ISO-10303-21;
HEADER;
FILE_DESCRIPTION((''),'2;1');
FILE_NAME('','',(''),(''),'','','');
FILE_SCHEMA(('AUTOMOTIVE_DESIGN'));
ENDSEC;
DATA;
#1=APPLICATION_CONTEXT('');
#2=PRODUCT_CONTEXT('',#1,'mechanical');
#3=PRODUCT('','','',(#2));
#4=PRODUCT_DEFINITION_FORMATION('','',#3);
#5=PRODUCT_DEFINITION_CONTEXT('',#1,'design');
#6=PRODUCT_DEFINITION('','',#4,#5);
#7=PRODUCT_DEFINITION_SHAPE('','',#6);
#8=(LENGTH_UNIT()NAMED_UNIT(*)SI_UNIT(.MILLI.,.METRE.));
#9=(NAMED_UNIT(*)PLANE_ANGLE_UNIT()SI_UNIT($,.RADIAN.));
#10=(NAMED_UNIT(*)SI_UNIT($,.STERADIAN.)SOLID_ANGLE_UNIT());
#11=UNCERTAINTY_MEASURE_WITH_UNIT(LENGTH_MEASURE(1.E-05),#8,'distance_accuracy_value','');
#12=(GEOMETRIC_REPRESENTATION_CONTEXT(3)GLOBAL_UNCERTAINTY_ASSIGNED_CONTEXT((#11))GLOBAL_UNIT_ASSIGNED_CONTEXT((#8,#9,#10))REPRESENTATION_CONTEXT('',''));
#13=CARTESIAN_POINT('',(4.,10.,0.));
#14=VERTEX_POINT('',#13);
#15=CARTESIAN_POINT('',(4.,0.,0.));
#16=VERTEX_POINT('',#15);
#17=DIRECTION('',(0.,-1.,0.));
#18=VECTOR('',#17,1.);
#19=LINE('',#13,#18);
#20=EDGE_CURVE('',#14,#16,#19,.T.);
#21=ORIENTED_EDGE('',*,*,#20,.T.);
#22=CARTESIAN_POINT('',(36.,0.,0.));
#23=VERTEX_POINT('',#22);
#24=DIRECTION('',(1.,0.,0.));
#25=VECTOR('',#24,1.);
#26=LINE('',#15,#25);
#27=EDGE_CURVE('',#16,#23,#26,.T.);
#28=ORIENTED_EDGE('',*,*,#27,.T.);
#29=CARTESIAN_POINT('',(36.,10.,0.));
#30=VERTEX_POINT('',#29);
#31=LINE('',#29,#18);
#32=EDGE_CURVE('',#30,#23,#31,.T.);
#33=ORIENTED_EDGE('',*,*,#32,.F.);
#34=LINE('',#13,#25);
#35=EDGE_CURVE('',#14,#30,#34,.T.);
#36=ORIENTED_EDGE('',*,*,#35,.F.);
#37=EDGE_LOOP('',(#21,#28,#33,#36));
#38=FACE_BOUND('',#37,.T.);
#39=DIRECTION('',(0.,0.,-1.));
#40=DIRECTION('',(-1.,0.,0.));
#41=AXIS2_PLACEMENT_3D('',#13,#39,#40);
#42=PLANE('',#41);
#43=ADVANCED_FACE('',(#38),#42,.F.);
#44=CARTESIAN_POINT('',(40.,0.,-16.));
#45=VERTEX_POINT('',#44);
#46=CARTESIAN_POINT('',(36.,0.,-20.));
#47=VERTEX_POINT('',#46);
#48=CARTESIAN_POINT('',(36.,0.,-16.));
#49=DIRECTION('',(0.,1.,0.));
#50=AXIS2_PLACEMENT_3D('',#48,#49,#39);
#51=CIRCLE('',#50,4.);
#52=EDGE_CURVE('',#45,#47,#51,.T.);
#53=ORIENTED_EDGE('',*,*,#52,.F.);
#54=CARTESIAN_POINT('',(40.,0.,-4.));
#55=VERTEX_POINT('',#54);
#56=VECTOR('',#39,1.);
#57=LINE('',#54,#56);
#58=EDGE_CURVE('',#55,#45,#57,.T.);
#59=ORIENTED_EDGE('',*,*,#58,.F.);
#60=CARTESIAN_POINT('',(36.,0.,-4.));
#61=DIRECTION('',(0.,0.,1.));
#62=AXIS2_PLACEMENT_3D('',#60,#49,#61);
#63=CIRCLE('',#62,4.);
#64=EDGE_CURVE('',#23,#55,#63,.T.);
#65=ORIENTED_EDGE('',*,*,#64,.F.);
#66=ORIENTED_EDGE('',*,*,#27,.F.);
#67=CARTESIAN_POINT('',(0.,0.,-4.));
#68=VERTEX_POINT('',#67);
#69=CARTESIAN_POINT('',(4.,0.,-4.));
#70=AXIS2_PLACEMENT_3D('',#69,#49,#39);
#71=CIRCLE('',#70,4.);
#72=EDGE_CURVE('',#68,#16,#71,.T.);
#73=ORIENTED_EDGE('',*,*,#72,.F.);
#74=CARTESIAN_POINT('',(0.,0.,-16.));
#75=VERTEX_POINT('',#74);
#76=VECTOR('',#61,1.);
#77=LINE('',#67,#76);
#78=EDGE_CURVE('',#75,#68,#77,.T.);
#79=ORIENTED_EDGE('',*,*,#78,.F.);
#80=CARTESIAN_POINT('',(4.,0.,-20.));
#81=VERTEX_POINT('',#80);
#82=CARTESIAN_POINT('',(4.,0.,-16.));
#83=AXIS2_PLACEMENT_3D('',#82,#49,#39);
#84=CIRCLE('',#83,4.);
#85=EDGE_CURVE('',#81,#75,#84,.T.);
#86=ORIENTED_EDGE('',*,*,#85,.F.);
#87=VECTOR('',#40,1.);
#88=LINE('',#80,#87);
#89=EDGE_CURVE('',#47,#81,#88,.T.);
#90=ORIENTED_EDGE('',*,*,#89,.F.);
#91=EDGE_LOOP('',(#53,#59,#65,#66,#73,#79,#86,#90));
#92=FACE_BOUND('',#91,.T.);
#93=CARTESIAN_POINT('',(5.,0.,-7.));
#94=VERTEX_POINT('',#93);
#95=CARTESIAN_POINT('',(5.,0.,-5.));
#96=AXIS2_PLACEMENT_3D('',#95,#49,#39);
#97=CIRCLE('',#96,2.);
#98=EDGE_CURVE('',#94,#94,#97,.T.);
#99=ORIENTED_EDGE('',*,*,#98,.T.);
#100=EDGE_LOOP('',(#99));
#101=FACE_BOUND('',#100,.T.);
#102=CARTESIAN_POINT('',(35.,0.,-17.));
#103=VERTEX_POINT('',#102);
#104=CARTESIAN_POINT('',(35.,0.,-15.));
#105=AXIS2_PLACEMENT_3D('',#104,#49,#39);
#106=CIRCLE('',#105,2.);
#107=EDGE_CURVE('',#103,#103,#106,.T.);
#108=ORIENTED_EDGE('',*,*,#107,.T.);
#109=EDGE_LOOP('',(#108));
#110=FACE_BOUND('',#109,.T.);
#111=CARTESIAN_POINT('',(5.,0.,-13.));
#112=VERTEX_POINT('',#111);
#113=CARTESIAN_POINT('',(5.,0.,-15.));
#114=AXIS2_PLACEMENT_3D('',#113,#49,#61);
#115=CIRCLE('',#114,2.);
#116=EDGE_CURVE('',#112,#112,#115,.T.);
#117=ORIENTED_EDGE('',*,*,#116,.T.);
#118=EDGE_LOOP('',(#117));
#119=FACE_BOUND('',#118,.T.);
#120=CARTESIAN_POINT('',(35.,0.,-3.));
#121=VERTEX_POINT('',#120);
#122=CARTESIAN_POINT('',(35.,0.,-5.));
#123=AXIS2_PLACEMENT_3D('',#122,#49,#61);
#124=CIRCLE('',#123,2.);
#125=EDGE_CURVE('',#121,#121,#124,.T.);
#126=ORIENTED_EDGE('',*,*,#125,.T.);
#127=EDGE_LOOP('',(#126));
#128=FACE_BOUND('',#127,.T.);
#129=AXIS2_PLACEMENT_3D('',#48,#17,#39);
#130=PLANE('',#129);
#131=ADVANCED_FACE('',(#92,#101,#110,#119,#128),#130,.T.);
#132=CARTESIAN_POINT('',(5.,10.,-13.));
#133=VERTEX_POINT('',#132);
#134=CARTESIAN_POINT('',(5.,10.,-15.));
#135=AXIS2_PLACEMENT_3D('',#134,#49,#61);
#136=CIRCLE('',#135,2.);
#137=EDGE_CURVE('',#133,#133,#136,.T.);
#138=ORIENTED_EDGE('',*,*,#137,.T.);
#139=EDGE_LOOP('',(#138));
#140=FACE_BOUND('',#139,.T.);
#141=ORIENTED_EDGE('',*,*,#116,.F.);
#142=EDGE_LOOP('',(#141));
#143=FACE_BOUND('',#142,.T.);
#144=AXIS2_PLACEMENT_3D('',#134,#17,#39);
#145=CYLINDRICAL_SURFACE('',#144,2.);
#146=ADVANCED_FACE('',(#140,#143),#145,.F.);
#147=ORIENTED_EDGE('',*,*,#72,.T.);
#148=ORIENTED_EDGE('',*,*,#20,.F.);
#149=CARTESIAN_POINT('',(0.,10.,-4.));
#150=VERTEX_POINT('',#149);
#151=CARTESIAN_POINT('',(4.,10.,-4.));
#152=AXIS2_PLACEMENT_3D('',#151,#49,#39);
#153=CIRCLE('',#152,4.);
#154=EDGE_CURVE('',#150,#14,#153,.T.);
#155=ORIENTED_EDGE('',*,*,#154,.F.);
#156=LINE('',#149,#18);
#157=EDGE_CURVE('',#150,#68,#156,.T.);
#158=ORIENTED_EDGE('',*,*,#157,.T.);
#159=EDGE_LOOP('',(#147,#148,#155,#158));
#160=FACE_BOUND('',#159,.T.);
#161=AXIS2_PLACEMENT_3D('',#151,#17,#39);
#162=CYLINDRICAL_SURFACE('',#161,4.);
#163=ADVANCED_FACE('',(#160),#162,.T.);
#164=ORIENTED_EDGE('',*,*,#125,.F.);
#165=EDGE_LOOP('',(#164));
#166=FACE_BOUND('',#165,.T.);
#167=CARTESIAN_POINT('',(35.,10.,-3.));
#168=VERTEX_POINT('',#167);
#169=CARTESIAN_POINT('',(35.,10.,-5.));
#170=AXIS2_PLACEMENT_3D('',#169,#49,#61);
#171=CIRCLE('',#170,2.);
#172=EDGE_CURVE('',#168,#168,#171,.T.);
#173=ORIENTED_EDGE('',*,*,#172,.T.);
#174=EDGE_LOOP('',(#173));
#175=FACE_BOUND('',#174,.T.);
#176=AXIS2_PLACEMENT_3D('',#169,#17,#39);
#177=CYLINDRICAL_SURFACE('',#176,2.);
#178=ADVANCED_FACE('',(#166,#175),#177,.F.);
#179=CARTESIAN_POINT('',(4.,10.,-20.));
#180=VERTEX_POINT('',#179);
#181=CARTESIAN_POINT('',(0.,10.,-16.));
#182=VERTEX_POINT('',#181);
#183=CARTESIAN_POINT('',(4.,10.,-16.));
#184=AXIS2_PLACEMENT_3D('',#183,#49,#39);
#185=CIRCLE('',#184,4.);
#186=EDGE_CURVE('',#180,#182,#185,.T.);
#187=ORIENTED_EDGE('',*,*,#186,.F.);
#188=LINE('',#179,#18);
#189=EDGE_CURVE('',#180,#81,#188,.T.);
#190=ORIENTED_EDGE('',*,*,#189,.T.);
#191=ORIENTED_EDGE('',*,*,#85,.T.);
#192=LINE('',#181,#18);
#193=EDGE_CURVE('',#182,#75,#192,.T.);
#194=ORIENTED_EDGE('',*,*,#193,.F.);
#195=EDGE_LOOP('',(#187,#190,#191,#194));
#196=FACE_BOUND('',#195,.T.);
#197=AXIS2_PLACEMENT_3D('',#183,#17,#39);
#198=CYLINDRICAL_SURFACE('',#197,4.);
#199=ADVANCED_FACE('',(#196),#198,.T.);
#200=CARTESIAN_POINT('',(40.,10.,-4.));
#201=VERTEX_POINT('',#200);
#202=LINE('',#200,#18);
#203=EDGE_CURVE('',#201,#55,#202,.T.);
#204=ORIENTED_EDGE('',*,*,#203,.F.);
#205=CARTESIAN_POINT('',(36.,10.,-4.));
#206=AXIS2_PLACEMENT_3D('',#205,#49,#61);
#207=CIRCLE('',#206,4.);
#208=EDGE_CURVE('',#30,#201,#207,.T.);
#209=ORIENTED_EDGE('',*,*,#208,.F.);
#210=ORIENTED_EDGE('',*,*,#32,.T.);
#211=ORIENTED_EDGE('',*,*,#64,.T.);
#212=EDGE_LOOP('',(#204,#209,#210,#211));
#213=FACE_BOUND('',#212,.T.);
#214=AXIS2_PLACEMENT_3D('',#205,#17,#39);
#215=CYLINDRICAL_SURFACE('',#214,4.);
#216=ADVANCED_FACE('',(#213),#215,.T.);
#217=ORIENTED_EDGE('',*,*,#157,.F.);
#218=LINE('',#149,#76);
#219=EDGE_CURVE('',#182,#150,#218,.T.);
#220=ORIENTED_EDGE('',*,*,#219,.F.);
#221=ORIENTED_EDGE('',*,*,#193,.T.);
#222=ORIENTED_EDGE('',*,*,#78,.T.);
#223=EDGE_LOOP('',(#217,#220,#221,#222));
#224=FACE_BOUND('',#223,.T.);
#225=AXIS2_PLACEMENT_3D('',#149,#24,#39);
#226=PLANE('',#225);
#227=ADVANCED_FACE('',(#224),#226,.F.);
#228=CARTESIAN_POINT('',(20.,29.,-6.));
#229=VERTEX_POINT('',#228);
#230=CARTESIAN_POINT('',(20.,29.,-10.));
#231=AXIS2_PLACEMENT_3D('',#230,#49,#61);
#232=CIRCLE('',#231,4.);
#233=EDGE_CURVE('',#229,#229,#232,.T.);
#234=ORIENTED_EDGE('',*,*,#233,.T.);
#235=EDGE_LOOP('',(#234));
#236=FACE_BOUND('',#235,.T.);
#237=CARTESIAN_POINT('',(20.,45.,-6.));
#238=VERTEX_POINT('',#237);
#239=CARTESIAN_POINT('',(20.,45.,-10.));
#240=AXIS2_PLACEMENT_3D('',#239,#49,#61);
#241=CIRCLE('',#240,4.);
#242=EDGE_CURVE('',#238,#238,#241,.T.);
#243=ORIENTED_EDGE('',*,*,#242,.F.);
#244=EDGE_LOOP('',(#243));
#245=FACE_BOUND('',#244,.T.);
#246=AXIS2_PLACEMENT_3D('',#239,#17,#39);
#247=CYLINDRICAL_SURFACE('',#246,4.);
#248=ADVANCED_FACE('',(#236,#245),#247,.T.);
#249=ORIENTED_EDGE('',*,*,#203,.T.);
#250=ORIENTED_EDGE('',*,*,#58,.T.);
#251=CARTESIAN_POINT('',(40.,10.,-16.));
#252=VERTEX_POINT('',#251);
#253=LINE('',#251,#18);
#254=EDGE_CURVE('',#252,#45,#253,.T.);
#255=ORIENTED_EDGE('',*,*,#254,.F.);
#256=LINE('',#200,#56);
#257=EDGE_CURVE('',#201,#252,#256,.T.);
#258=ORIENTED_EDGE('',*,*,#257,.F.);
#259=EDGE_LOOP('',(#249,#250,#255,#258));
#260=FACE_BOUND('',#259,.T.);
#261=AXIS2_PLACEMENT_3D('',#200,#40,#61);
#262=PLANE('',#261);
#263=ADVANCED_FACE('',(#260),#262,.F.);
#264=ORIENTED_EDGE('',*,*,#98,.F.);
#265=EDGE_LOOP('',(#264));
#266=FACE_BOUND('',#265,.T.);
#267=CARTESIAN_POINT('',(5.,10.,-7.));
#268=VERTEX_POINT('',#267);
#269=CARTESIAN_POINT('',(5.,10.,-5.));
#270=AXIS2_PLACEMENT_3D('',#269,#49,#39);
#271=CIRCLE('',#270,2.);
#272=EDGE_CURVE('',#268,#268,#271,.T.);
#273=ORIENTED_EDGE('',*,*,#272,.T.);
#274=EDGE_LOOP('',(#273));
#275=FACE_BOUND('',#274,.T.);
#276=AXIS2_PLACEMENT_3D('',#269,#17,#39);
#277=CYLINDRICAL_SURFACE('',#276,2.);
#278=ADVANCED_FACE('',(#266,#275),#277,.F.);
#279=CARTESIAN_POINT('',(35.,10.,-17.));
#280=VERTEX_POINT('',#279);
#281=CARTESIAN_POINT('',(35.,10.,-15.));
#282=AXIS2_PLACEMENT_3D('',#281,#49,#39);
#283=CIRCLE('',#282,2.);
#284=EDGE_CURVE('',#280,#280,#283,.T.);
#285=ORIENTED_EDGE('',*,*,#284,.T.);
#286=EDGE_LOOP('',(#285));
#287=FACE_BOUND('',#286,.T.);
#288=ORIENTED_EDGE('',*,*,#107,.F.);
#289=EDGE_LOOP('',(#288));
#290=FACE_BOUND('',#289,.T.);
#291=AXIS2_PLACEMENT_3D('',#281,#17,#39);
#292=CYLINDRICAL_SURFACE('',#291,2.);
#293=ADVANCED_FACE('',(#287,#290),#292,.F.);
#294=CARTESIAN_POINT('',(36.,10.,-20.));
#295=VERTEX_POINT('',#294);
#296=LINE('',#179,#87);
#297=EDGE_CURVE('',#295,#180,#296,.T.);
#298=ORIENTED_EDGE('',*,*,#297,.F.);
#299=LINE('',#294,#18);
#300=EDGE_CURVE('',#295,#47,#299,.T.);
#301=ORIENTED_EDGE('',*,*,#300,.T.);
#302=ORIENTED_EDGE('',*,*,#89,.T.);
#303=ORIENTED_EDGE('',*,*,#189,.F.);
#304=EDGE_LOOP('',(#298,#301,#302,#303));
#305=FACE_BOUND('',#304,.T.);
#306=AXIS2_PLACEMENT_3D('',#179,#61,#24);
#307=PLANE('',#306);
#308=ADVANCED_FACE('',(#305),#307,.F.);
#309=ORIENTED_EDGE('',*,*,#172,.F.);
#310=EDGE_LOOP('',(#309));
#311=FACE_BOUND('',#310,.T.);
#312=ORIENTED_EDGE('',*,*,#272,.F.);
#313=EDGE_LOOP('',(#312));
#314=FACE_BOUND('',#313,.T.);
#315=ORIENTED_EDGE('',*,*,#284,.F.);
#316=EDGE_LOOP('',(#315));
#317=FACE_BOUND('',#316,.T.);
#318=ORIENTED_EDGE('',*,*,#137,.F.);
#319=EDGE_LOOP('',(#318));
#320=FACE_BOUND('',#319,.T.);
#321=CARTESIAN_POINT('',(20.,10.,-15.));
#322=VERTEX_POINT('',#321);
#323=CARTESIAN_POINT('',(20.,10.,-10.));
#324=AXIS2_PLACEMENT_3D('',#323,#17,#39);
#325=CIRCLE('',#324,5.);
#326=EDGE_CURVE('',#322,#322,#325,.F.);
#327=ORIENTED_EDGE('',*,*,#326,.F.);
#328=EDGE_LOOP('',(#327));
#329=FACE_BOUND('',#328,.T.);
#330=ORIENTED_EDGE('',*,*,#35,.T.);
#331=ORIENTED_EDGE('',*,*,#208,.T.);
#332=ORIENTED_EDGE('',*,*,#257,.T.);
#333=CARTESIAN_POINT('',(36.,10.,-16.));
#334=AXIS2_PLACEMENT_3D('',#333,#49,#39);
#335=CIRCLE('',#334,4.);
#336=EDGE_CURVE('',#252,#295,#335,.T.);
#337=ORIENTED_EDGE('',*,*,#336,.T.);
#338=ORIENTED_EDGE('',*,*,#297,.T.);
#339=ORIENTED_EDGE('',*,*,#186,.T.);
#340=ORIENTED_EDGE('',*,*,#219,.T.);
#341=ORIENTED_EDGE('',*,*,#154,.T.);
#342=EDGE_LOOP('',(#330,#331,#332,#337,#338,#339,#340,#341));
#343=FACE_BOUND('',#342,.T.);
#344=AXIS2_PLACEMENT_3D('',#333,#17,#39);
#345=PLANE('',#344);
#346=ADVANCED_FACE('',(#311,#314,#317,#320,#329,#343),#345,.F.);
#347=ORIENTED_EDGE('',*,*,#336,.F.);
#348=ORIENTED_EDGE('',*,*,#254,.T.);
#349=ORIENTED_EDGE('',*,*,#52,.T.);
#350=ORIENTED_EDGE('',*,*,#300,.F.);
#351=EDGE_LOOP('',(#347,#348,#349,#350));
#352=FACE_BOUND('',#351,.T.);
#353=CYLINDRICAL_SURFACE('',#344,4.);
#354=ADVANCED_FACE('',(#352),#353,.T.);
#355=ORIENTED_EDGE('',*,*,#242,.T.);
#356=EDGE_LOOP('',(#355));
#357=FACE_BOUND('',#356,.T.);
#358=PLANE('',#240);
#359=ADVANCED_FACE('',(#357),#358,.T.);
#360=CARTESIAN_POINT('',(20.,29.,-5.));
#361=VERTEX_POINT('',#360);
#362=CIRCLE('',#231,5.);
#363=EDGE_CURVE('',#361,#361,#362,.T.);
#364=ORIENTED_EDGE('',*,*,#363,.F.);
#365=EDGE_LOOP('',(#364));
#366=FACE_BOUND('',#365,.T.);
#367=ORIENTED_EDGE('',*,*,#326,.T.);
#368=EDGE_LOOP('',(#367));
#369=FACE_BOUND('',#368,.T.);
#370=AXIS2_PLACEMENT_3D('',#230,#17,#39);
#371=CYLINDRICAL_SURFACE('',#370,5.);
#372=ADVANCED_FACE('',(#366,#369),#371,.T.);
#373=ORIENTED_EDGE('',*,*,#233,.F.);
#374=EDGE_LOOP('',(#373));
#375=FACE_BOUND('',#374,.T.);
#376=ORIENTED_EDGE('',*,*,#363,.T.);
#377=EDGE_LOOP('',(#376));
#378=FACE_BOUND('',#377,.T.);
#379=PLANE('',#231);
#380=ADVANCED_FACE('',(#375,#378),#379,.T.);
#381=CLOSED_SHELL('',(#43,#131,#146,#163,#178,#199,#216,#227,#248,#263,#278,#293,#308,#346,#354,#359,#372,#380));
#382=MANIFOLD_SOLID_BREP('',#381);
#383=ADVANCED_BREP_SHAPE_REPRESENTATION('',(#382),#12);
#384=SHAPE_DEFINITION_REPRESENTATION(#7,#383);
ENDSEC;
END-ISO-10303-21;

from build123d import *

# Parameters (mm, degrees)
SKETCH1_R           = 2
BOSS_EXTRUDE1_DEPTH = 10
SKETCH2_R           = 5
BOSS_EXTRUDE2_DEPTH = 19
SKETCH3_R           = 4
BOSS_EXTRUDE3_DEPTH = 16


with BuildPart() as part:
    # Sketch1 → Boss-Extrude1 (new body)
    with BuildSketch(Plane(origin=(0, 0, 0), x_dir=(1, 0, 0), z_dir=(0, 1, 0))):
        with BuildLine():
            Line((4, 0), (36, 0))
            ThreePointArc((36, 0), (38.828427125, 1.171572875), (40, 4))
            Line((40, 4), (40, 16))
            ThreePointArc((40, 16), (38.828427125, 18.828427125), (36, 20))
            Line((36, 20), (4, 20))
            ThreePointArc((4, 20), (1.171572875, 18.828427125), (0, 16))
            Line((0, 16), (0, 4))
            ThreePointArc((0, 4), (1.171572875, 1.171572875), (4, 0))
        make_face()
        with Locations((5, 15)):
            Circle(SKETCH1_R, mode=Mode.SUBTRACT)
        with Locations((5, 5)):
            Circle(SKETCH1_R, mode=Mode.SUBTRACT)
        with Locations((35, 5)):
            Circle(SKETCH1_R, mode=Mode.SUBTRACT)
        with Locations((35, 15)):
            Circle(SKETCH1_R, mode=Mode.SUBTRACT)
    extrude(amount=BOSS_EXTRUDE1_DEPTH)

    # Sketch2 → Boss-Extrude2 (add)
    with BuildSketch(Plane(origin=(0, 10, 0), x_dir=(1, 0, 0), z_dir=(0, 1, 0))):
        with Locations((20, 10)):
            Circle(SKETCH2_R)
    extrude(amount=BOSS_EXTRUDE2_DEPTH)

    # Sketch3 → Boss-Extrude3 (add)
    with BuildSketch(Plane(origin=(0, 29, 0), x_dir=(1, 0, 0), z_dir=(0, 1, 0))):
        with Locations((20, 10)):
            Circle(SKETCH3_R)
    extrude(amount=BOSS_EXTRUDE3_DEPTH)


solid = part.part
